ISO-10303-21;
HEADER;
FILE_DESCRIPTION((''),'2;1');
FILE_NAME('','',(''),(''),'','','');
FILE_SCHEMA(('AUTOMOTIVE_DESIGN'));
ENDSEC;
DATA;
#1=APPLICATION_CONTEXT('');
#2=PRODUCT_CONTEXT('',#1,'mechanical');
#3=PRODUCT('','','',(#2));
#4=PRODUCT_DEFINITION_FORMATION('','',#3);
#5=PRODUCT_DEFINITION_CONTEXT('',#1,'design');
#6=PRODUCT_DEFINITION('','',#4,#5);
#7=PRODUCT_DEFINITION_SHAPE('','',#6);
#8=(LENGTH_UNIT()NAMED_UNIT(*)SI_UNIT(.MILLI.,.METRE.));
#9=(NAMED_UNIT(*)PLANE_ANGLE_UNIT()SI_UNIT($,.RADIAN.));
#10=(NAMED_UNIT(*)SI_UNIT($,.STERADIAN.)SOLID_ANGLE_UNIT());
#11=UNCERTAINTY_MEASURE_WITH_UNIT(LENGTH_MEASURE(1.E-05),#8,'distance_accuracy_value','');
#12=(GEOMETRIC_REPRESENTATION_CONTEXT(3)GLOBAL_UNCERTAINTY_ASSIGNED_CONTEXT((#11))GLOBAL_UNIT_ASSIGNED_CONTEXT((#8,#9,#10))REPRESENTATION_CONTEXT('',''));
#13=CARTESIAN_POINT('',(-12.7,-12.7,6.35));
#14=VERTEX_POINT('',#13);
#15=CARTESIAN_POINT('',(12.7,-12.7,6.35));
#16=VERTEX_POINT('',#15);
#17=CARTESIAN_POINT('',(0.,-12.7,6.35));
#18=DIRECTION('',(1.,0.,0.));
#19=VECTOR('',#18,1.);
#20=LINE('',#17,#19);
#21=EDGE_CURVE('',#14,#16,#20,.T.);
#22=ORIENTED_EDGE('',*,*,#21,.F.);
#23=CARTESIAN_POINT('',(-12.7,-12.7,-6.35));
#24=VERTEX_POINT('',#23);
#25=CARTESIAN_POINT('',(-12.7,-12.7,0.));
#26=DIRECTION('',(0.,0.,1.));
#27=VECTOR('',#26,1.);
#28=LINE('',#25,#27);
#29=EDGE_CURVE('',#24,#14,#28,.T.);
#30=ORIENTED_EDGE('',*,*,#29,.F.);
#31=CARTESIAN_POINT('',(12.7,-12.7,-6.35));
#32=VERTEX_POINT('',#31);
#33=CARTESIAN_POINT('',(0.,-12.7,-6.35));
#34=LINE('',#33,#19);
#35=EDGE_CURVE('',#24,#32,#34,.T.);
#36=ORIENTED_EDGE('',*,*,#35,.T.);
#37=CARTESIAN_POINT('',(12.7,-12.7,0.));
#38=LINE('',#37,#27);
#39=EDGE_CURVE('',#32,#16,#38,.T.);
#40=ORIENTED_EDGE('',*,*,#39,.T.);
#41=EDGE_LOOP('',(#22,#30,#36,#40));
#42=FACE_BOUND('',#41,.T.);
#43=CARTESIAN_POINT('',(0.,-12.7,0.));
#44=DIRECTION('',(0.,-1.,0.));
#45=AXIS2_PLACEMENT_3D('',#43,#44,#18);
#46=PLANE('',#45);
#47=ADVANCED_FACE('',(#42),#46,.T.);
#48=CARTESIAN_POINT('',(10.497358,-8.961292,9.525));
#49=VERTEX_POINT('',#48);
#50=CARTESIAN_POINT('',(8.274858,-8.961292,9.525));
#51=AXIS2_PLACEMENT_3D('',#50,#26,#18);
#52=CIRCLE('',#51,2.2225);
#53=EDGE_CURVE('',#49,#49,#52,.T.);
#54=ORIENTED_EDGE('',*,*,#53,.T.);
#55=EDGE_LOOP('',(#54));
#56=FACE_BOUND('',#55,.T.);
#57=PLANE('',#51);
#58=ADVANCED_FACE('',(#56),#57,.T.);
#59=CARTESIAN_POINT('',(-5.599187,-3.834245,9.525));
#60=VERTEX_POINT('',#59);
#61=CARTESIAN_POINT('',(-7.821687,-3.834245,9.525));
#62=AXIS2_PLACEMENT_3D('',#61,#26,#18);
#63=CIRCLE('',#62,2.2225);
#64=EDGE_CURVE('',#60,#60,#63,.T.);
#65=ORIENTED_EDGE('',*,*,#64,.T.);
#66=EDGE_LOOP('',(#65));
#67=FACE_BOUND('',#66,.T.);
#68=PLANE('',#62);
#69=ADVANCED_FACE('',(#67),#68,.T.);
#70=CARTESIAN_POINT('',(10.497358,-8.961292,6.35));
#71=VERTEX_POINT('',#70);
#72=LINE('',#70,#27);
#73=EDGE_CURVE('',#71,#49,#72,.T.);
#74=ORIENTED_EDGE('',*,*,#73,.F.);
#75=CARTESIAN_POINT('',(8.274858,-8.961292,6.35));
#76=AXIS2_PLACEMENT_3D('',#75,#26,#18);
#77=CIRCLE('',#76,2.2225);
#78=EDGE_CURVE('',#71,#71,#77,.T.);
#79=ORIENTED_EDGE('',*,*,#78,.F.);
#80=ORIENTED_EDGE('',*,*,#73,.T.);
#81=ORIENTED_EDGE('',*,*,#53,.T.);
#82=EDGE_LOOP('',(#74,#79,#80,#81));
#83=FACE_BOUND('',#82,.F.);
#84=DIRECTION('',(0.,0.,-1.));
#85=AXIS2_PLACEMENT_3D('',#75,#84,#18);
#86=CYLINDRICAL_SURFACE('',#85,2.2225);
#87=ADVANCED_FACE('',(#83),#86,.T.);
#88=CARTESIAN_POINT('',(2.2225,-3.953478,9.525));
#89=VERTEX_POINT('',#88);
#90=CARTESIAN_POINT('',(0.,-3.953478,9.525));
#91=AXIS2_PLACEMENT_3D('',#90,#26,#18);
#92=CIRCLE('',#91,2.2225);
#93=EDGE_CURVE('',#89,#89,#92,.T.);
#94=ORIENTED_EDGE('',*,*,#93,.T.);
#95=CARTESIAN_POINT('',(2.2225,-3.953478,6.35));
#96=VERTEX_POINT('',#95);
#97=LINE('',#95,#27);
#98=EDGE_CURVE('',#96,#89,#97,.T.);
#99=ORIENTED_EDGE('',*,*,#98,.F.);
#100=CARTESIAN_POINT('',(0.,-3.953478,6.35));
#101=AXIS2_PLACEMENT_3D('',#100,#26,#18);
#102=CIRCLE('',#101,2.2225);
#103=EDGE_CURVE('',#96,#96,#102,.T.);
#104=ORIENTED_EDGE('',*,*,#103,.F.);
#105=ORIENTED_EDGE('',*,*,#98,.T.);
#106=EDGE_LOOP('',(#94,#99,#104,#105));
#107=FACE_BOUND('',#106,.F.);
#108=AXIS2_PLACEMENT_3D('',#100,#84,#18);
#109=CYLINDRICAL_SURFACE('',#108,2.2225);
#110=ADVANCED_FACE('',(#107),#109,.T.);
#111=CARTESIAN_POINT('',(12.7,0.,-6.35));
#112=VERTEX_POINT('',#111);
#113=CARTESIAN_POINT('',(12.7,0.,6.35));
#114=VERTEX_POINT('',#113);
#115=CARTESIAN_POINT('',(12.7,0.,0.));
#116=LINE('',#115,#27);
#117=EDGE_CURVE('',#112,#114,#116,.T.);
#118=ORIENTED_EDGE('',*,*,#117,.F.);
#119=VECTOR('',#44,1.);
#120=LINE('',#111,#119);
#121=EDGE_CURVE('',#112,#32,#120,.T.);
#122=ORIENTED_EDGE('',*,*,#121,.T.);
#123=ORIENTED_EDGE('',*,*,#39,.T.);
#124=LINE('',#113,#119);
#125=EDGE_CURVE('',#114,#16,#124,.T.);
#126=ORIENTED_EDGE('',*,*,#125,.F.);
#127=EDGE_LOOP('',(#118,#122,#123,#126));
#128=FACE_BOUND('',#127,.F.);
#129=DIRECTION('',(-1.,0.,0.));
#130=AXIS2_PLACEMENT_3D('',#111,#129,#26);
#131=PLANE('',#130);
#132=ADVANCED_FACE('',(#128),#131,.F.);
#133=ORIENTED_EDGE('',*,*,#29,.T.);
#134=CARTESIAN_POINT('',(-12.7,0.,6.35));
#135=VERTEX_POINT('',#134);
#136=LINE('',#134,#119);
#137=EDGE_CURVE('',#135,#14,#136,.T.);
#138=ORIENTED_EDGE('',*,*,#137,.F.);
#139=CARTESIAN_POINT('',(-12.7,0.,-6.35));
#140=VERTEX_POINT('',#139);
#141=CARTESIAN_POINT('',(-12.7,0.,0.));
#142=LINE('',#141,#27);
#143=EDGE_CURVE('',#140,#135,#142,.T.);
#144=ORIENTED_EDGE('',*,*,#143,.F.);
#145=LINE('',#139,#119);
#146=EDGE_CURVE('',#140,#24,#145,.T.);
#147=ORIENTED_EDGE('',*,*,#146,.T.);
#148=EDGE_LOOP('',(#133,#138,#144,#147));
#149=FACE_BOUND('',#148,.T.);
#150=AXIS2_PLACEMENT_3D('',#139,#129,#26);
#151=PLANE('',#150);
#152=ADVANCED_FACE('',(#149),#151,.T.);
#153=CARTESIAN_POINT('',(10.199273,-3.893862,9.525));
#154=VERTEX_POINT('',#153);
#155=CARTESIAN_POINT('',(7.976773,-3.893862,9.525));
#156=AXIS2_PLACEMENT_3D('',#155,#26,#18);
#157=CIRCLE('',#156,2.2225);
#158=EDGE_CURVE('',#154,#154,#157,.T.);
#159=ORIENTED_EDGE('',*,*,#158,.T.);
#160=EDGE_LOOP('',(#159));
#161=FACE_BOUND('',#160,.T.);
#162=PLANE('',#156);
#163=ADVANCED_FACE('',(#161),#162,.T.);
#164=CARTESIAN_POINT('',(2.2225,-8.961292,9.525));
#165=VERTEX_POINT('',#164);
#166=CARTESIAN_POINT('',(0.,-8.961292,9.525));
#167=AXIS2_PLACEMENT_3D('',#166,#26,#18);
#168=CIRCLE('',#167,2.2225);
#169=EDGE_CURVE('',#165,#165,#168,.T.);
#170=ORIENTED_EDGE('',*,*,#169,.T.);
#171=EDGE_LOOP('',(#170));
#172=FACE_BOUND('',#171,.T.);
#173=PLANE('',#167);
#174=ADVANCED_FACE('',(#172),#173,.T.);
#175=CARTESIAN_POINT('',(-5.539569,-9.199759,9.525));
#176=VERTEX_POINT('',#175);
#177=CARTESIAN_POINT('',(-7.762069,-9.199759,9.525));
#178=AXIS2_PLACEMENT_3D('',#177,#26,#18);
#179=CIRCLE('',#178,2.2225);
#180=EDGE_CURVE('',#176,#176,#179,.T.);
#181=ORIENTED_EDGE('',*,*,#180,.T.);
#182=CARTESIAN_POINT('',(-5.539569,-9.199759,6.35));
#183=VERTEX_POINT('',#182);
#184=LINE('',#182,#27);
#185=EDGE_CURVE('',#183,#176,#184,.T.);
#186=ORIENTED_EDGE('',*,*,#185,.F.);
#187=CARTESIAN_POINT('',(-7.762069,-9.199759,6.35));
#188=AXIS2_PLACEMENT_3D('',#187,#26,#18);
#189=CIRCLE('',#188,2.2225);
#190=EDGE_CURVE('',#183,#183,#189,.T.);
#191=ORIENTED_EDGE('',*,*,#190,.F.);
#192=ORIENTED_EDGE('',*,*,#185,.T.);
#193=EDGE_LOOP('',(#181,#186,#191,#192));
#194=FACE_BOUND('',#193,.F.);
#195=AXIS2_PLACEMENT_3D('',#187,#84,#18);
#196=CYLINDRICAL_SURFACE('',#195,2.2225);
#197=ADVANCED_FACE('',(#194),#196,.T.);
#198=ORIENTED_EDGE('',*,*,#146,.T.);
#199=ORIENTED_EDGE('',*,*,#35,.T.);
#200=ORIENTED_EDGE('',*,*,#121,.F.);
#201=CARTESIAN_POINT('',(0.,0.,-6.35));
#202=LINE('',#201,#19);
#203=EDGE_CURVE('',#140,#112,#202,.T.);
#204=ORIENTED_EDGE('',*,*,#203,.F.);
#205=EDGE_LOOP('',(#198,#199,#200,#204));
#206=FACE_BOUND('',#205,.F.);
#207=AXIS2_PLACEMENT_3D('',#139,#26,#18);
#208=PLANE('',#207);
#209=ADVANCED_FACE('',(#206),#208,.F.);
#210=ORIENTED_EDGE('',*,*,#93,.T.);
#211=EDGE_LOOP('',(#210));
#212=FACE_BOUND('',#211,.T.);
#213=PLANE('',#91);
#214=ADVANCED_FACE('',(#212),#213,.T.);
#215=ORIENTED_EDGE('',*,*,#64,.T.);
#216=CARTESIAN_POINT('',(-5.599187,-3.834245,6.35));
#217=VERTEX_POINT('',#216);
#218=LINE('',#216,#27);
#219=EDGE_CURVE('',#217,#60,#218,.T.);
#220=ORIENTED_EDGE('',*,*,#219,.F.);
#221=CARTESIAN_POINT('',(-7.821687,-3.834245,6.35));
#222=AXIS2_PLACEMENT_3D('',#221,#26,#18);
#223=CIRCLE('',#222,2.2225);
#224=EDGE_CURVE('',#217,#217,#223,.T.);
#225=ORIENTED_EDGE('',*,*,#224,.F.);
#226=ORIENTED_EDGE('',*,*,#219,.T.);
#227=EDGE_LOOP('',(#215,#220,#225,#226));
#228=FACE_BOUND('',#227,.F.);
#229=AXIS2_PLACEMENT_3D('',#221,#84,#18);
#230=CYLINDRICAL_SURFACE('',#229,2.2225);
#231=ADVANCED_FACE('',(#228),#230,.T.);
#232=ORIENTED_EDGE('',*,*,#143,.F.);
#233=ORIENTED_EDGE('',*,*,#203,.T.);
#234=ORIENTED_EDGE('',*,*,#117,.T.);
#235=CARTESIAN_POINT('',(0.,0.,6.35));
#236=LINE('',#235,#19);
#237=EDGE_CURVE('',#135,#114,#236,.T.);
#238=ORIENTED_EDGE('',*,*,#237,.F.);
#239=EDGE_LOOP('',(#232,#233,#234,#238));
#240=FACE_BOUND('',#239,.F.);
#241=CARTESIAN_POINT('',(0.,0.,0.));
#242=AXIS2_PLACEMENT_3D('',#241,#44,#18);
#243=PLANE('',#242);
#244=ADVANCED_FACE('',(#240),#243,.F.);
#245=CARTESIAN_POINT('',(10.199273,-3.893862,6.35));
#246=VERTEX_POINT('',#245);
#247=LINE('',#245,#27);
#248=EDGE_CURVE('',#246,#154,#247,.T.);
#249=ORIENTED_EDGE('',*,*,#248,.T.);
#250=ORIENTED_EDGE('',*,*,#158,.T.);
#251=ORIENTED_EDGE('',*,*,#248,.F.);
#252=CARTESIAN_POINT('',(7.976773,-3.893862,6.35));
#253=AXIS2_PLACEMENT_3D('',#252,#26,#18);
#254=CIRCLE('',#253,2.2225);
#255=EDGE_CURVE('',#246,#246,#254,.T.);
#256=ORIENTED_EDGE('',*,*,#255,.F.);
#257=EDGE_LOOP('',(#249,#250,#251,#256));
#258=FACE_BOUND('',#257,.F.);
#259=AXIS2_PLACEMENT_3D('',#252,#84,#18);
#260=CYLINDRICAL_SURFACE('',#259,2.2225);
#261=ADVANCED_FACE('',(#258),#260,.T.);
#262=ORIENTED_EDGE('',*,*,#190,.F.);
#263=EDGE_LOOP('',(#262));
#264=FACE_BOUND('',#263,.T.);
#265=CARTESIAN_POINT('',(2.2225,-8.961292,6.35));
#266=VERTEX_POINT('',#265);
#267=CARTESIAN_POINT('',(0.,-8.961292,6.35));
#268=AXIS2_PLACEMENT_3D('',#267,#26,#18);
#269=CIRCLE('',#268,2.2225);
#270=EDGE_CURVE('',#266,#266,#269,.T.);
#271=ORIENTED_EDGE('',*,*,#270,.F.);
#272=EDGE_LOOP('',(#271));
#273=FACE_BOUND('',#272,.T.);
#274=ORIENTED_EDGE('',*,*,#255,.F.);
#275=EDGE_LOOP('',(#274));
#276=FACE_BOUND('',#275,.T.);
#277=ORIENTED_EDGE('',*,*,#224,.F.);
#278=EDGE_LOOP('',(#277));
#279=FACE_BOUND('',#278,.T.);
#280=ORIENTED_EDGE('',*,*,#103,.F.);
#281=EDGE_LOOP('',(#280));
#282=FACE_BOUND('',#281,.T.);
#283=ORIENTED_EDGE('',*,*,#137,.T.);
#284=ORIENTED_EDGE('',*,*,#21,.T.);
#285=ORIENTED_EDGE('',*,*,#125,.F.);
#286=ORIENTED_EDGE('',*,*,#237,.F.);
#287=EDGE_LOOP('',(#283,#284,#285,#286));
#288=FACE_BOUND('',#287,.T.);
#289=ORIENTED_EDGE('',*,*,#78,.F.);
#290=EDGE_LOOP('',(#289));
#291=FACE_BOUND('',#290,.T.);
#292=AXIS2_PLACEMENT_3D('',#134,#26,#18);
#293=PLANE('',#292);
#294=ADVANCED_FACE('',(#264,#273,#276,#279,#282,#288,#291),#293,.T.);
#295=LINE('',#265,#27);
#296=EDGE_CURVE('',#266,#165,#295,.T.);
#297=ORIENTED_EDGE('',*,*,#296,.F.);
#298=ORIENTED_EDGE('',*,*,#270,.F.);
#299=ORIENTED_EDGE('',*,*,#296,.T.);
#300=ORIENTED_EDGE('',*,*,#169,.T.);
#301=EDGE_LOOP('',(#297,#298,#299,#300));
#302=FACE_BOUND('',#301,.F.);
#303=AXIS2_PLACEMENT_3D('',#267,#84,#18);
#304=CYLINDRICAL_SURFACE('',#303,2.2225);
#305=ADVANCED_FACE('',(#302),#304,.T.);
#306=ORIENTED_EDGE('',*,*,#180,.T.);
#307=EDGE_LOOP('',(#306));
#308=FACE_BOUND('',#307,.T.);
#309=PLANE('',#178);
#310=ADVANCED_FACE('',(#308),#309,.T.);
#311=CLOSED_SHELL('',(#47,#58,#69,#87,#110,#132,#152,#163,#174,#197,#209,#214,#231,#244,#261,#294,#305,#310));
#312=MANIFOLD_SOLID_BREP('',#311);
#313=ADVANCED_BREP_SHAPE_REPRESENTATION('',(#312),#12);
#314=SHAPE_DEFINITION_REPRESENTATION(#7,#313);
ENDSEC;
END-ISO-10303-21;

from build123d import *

# Parameters (mm, degrees)
F0_W     = 25.4
F0_H     = 12.7
F1_DEPTH = 12.7
F2_R     = 2.2225
F3_DEPTH = 3.175


with BuildPart() as f1:
    # F0 (on Front) → F1 (new body)
    with BuildSketch(Plane.XZ):
        Rectangle(F0_W, F0_H)
    extrude(amount=F1_DEPTH)

    # F2 (on face) → F3 (join)
    with BuildSketch(Plane.XY.offset(6.35)):
        with Locations((-7.762069, -9.199759)):
            Circle(F2_R)
        with Locations((0, -8.961292)):
            Circle(F2_R)
        with Locations((8.274858, -8.961292)):
            Circle(F2_R)
        with Locations((7.976773, -3.893862)):
            Circle(F2_R)
        with Locations((0, -3.953478)):
            Circle(F2_R)
        with Locations((-7.821687, -3.834245)):
            Circle(F2_R)
    extrude(amount=F3_DEPTH)


solid = f1.part
